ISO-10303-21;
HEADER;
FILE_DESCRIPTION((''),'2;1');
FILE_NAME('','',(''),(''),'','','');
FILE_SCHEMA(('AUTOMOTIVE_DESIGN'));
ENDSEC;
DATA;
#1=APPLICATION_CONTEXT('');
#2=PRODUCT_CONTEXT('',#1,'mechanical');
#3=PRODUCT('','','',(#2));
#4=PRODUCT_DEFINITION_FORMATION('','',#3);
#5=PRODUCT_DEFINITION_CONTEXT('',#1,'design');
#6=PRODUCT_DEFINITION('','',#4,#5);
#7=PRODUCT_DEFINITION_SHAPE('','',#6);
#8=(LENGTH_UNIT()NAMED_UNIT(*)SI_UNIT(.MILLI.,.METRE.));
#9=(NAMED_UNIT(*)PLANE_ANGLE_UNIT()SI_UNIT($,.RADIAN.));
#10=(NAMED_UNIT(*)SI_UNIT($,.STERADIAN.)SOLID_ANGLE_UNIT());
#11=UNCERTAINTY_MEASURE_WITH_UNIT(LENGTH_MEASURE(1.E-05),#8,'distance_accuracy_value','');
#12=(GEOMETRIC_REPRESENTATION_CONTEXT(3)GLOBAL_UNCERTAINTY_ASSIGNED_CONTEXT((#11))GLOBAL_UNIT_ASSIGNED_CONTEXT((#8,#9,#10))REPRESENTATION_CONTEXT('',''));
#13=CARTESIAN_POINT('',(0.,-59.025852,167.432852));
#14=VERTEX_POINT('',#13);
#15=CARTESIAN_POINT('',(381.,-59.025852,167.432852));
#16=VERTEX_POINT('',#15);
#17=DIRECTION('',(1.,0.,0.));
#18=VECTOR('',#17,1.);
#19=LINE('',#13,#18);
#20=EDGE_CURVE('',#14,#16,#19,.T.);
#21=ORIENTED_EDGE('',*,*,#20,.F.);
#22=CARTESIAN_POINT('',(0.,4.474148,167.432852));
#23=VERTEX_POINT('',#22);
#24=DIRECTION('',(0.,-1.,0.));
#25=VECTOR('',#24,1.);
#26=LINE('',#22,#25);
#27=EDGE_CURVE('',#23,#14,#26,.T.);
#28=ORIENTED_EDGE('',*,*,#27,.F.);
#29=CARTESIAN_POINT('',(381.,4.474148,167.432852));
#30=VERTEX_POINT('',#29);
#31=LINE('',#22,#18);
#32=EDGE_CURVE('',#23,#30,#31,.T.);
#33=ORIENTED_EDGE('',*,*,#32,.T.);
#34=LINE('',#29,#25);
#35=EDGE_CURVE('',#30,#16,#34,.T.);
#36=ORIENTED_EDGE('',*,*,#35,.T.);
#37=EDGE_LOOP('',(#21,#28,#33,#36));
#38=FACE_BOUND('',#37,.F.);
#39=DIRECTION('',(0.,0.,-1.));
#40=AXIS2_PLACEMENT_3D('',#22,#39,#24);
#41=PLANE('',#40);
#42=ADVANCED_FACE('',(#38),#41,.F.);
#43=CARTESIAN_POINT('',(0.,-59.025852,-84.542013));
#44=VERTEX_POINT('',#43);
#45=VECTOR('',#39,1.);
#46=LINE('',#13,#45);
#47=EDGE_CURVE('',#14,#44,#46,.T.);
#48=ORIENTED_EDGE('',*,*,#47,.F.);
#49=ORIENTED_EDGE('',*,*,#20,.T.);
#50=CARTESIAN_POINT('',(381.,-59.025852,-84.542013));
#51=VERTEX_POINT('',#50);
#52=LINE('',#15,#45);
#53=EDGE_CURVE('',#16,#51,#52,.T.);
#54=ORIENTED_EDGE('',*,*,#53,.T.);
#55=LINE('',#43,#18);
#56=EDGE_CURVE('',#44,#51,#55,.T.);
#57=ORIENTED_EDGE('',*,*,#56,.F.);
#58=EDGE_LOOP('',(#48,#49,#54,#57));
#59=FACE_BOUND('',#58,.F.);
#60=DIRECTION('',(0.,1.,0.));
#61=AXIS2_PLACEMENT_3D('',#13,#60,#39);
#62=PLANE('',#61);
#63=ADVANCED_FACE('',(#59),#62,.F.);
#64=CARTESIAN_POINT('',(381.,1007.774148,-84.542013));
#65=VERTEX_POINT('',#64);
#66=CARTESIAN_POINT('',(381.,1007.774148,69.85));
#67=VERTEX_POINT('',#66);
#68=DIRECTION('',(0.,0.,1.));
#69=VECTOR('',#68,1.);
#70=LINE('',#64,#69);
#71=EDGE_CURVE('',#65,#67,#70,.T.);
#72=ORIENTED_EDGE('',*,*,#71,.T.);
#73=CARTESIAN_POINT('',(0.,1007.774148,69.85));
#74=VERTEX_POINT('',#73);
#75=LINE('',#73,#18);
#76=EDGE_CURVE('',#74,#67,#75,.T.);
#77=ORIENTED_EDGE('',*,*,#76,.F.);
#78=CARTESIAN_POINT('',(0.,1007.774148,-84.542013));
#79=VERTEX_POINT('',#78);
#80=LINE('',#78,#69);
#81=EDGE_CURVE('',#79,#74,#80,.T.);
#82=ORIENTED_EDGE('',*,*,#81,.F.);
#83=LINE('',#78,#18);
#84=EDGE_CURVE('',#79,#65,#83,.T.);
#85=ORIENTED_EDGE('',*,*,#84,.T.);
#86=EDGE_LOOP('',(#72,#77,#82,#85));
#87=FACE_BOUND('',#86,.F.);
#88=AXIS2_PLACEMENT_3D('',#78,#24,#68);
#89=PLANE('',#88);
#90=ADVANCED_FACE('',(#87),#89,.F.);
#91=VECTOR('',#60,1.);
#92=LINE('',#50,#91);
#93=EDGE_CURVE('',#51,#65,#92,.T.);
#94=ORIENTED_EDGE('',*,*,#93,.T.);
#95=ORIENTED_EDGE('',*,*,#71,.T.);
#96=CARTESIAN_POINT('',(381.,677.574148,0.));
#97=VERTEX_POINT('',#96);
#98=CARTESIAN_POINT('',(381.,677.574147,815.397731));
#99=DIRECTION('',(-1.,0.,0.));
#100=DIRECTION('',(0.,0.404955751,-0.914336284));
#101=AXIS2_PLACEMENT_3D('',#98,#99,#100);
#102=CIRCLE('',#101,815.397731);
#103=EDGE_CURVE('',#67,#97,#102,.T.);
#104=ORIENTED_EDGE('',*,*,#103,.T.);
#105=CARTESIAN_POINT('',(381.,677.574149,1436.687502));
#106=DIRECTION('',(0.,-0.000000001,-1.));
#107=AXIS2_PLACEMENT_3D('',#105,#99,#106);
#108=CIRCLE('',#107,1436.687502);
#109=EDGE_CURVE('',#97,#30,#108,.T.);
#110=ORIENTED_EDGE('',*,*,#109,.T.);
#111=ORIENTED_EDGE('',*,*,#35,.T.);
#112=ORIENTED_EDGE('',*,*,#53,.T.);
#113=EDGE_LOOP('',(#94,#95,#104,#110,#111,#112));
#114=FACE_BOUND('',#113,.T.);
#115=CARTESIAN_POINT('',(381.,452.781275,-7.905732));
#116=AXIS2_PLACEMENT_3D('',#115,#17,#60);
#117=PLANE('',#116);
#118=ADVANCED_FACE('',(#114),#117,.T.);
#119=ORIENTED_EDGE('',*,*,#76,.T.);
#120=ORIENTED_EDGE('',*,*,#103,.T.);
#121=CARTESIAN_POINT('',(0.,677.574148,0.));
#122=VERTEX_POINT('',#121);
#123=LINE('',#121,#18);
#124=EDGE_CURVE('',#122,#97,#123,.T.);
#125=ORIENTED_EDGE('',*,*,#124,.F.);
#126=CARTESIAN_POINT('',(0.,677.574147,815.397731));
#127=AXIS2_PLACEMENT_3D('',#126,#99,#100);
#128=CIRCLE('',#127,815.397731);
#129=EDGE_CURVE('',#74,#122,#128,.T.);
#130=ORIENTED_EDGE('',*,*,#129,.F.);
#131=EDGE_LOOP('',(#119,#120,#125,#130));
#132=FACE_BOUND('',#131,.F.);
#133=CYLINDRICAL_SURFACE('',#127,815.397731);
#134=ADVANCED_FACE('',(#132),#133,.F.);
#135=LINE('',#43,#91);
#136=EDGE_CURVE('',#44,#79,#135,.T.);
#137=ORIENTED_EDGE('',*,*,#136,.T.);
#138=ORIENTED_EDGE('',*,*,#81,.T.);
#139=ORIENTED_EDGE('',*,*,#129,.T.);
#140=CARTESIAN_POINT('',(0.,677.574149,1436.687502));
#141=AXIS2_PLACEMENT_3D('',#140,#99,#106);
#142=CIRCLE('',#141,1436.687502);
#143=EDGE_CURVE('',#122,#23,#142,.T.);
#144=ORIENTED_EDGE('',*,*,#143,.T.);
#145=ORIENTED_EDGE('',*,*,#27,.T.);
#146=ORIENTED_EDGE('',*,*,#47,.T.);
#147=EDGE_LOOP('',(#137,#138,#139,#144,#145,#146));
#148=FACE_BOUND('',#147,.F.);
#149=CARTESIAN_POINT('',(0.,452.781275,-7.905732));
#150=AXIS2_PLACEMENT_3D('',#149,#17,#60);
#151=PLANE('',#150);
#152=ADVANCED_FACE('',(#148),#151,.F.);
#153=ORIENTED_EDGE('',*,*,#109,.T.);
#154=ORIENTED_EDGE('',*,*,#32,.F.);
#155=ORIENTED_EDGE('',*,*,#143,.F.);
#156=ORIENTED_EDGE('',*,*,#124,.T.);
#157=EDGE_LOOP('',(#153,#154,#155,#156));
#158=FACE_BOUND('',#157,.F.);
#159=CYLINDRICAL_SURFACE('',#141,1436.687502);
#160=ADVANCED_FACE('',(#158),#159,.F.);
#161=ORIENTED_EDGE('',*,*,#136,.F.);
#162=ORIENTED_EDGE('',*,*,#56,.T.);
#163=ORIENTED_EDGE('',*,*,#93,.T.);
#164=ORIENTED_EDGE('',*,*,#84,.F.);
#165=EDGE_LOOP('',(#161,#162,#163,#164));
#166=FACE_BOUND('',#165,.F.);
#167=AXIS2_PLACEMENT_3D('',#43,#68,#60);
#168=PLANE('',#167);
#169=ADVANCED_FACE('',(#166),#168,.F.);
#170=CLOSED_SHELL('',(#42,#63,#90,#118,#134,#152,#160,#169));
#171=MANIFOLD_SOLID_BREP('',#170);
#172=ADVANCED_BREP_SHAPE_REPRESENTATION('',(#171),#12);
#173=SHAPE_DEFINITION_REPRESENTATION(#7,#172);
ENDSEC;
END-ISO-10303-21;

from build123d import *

# Parameters (mm, degrees)
F1_DEPTH = 381


with BuildPart() as f1:
    # F0 (on Right) → F1 (new body)
    with BuildSketch(Plane.YZ):
        with BuildLine():
            Line((4.474148, 167.432852), (-59.025852, 167.432852))
            Line((-59.025852, 167.432852), (-59.025852, 0))
            Line((-59.025852, 0), (-59.025852, -84.542013))
            Line((-59.025852, -84.542013), (1007.774148, -84.542013))
            Line((1007.774148, -84.542013), (1007.774148, 0))
            Line((1007.774148, 0), (1007.774148, 69.85))
            ThreePointArc((1007.774148, 69.85), (846.327713, 17.653603), (677.574148, 0))
            ThreePointArc((677.574148, 0), (330.768233, 42.486428), (4.474148, 167.432852))
        make_face()
    extrude(amount=F1_DEPTH)


solid = f1.part
